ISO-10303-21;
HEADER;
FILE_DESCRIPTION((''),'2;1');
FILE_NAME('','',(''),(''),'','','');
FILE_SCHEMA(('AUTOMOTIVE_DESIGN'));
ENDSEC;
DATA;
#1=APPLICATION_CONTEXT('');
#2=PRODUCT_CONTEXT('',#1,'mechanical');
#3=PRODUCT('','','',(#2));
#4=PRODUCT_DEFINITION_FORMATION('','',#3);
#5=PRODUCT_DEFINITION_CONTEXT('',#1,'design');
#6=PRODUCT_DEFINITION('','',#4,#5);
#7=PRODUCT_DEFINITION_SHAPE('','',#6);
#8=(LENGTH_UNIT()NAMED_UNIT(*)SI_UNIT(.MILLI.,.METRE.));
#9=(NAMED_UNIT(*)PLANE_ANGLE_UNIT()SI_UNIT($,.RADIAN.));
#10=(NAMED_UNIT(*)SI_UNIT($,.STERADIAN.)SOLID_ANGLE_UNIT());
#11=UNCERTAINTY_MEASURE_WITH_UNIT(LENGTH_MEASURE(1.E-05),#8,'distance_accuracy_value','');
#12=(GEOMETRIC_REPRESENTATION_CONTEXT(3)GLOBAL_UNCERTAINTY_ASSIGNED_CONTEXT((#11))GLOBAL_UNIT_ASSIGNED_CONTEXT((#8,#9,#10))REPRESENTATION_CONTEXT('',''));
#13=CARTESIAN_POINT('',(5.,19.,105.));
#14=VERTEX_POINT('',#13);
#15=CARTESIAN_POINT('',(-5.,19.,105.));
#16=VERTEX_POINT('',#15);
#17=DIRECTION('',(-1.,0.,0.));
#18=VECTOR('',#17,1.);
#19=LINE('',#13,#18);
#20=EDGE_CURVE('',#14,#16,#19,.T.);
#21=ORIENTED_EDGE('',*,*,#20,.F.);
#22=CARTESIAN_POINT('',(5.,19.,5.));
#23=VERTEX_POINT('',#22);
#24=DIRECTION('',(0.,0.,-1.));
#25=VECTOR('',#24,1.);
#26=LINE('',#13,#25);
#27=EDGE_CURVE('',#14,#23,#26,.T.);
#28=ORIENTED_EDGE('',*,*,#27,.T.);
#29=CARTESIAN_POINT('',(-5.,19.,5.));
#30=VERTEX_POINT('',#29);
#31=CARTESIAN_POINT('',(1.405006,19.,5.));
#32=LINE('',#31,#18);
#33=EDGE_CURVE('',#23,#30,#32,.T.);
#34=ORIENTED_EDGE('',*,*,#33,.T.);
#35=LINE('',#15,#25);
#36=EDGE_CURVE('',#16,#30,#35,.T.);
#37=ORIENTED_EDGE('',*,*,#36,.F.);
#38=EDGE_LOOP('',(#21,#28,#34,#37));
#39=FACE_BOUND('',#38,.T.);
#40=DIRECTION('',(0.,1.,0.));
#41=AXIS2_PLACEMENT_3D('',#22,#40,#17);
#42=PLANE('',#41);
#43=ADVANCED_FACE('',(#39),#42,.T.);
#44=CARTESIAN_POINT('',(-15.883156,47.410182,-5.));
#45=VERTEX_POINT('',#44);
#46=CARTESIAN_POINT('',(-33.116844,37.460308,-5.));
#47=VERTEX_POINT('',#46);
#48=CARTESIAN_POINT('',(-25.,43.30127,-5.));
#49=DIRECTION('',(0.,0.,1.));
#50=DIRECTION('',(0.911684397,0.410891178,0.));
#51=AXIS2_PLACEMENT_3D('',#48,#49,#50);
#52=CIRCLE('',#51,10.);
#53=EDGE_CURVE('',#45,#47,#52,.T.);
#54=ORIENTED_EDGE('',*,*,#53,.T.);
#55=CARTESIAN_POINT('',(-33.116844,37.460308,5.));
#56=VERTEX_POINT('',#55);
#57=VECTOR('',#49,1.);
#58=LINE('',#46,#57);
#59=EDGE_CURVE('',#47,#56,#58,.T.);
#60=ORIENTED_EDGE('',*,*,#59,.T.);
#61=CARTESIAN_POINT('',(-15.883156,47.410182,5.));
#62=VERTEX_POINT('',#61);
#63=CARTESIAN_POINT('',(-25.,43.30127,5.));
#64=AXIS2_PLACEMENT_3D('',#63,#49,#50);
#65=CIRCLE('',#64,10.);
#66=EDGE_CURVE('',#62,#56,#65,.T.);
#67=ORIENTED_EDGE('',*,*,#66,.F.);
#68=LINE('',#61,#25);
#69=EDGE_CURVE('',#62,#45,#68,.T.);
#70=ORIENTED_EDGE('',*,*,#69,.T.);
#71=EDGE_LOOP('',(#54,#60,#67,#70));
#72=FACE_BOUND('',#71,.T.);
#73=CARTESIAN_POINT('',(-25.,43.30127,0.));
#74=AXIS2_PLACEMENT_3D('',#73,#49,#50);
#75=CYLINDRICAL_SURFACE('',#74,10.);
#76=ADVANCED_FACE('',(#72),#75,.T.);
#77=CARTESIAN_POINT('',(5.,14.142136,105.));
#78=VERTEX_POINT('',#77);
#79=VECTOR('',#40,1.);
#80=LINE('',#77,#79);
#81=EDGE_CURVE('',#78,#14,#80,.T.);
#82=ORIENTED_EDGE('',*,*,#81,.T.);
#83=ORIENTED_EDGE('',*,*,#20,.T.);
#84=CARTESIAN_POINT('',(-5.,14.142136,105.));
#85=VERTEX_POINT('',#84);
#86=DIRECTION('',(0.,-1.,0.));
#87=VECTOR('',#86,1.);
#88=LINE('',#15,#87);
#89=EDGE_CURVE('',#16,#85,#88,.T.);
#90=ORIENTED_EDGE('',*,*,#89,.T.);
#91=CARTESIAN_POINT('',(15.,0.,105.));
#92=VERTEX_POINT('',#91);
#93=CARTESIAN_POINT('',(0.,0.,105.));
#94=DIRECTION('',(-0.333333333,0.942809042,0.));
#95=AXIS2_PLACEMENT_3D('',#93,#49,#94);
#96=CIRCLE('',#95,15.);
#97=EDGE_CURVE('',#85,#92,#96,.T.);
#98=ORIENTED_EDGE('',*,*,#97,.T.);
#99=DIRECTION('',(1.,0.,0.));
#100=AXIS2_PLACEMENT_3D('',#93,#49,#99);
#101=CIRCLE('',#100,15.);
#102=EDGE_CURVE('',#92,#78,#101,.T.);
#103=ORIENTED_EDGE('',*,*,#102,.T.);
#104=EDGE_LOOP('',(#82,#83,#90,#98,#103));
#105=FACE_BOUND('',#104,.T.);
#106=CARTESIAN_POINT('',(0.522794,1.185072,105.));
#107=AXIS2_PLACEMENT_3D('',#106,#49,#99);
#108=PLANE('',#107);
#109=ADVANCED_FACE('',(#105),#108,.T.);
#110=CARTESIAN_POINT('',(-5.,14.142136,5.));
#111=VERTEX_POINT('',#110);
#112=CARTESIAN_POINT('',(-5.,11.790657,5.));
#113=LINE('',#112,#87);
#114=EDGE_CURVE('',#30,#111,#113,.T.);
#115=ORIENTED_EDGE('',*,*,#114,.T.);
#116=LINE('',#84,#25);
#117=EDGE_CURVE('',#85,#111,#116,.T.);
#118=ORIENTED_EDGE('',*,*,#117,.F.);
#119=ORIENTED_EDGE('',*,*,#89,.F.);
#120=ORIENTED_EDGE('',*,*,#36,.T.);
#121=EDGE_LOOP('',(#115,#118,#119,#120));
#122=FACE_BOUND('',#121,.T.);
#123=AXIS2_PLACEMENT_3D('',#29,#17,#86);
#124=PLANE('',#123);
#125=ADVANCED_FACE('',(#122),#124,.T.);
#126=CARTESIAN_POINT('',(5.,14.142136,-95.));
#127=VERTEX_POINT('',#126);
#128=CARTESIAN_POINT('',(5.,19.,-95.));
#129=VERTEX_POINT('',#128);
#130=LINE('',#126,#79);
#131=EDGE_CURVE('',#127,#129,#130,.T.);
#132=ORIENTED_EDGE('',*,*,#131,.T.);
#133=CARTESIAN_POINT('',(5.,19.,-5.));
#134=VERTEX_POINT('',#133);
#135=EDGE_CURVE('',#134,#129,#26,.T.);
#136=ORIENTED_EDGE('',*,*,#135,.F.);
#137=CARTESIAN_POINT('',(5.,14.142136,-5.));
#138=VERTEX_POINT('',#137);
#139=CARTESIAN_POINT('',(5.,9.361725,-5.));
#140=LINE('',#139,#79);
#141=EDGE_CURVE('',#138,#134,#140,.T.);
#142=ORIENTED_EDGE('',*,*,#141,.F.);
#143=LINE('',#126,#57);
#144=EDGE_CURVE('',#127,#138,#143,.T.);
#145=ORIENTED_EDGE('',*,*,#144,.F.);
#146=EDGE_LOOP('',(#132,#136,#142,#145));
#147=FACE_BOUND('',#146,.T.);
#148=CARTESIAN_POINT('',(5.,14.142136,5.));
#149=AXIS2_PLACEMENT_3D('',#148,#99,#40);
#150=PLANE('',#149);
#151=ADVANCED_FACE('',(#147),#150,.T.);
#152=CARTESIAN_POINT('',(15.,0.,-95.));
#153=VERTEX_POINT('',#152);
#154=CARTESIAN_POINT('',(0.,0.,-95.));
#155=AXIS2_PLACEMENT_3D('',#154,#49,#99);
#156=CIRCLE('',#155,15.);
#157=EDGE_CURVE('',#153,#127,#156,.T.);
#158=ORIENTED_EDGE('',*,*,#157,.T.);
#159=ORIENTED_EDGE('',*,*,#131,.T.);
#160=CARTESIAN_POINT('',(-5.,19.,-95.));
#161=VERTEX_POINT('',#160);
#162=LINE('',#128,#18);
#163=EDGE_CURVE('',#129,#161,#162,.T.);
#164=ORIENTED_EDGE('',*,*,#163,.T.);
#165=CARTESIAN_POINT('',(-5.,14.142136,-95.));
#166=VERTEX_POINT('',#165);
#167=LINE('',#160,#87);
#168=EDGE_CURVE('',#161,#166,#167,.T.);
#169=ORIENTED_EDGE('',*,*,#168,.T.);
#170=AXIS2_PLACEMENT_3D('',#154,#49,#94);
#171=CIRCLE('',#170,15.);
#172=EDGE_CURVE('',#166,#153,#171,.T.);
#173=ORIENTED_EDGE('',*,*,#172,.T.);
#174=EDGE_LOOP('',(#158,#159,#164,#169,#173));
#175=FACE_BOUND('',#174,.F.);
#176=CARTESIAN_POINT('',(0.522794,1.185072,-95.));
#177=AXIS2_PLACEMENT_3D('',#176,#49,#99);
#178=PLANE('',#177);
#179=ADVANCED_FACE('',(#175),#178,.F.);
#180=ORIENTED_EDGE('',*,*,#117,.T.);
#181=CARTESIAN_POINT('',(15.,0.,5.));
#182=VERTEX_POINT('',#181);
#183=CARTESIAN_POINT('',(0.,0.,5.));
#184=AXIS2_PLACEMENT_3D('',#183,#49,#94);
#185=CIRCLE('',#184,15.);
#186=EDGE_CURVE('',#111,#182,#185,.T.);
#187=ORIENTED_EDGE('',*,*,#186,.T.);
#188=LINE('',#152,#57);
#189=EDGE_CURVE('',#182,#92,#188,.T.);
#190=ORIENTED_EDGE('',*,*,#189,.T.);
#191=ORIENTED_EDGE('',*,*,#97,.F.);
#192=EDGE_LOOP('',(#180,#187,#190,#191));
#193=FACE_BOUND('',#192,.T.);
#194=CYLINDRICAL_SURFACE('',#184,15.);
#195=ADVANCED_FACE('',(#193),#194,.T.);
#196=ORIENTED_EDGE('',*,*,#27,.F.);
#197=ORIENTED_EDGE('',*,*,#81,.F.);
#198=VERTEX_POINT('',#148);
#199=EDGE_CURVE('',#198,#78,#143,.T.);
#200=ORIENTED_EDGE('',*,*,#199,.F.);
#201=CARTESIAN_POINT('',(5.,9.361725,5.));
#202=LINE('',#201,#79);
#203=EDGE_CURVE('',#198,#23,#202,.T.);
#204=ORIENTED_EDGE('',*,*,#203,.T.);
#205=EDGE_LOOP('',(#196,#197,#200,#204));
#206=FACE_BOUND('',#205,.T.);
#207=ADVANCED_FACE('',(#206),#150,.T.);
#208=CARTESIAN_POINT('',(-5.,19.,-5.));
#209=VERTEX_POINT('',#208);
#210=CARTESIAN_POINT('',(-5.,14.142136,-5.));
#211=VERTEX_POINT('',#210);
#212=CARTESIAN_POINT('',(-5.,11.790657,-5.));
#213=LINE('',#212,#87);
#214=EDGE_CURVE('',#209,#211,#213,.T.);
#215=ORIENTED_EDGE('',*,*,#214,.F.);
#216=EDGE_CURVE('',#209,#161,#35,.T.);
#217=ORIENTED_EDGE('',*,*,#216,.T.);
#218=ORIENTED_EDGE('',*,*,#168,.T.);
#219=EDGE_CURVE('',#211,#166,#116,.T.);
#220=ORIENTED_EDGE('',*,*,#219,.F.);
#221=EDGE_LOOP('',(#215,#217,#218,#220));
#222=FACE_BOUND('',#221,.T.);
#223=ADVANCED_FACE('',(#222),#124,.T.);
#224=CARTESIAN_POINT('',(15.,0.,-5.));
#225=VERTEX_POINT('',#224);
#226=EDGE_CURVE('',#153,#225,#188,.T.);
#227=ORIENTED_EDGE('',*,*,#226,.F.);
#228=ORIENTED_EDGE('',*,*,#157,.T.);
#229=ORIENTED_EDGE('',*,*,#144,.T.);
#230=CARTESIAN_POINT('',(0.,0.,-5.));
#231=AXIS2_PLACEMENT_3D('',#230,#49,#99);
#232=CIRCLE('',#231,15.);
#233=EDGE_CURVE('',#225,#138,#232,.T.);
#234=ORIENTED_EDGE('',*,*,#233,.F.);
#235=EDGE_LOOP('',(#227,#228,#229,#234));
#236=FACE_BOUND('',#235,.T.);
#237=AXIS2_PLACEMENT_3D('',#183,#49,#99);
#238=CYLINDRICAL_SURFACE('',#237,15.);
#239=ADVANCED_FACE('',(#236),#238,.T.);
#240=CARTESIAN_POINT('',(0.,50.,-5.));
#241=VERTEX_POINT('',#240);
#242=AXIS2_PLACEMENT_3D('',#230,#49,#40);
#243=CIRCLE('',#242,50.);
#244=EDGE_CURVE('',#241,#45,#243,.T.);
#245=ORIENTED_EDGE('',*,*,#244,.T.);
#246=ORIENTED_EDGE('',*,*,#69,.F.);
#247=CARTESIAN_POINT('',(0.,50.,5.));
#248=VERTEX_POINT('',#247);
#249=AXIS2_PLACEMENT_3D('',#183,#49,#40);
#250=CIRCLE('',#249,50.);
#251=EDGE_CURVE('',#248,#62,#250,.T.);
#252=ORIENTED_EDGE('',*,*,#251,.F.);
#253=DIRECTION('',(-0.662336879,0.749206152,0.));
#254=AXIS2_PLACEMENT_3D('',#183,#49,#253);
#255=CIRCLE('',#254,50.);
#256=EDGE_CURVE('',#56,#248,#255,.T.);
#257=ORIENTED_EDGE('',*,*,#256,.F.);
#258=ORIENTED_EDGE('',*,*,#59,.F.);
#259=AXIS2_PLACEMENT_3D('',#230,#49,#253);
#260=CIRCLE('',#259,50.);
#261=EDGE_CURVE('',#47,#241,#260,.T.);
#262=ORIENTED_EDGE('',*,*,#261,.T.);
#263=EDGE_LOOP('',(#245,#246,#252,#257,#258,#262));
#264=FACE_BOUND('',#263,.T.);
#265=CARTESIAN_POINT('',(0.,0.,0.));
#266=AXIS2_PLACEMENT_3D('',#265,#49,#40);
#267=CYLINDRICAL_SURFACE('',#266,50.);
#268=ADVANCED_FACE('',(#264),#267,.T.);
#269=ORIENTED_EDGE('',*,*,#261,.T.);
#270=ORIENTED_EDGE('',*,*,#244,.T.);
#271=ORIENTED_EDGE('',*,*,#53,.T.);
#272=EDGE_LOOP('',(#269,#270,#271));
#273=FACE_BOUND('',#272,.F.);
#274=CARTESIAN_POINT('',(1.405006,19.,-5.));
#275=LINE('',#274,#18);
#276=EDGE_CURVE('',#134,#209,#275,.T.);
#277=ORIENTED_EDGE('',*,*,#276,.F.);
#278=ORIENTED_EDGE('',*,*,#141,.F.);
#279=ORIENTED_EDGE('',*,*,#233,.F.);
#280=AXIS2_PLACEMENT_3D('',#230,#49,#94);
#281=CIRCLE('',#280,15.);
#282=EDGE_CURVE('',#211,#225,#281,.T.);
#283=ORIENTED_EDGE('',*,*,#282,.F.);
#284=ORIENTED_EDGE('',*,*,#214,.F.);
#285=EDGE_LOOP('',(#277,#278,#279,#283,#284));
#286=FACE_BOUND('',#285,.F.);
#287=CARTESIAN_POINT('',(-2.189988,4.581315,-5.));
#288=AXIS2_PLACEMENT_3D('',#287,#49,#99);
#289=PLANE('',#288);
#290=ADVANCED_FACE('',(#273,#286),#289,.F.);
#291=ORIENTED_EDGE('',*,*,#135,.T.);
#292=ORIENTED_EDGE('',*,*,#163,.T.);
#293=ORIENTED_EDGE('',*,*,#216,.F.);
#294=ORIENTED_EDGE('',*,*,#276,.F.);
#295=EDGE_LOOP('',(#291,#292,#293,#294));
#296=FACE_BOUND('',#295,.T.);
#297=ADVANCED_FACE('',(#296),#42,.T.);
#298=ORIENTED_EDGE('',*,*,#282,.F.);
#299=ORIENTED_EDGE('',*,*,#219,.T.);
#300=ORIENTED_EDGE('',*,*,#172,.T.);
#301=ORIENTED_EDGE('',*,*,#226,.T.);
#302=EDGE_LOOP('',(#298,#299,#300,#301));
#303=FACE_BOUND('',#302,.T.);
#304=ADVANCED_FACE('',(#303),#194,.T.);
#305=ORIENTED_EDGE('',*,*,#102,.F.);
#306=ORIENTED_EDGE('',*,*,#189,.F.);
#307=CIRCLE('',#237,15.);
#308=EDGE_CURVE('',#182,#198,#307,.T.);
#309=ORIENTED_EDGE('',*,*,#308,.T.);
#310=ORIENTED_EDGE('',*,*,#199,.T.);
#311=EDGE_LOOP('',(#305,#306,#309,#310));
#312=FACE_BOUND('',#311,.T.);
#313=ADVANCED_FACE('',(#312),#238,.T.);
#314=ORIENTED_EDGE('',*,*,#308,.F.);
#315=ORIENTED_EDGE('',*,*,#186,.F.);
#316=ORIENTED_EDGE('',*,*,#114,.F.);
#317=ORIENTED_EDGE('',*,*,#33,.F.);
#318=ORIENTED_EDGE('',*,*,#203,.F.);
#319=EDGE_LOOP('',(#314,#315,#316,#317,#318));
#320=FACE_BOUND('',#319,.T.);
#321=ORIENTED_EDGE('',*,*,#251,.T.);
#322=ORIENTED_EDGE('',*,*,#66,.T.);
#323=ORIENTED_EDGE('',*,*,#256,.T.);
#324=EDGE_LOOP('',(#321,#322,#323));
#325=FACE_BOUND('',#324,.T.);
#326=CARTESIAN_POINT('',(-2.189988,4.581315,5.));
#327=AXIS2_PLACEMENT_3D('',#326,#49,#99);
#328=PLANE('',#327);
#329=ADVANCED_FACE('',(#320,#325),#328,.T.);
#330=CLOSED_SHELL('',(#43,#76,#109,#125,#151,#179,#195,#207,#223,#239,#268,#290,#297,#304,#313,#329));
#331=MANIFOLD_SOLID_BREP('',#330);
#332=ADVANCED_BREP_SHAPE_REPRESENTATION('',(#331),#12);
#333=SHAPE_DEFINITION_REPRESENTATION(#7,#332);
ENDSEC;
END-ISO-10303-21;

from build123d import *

# Parameters (mm, degrees)
F1_DEPTH = 5
F3_DEPTH = 100


with BuildPart() as f1:
    # F0 (on Top) → F1 (new body, symmetric)
    with BuildSketch(Plane.XY):
        with BuildLine():
            ThreePointArc((-15.8831560302, 47.410181971), (-30, 51.9615242271), (-33.1168439698, 37.4603075999))
            ThreePointArc((-33.1168439698, 37.4603075999), (17.7057140495, -46.7601078912), (0, 50))
            ThreePointArc((0, 50), (-8.0464557866, 49.3482983422), (-15.8831560302, 47.410181971))
        make_face()
    extrude(amount=F1_DEPTH, both=True)

    # F2 (on face) → F3 (join, symmetric)
    with BuildSketch(Plane.XY.offset(5)):
        with BuildLine():
            ThreePointArc((-5, 14.1421356237), (-8.6602540378, -12.2474487139), (15, 0))
            ThreePointArc((15, 0), (12.2474487139, 8.6602540378), (5, 14.1421356237))
            Line((5, 14.1421356237), (5, 11))
            Line((5, 11), (-5, 11))
            Line((-5, 11), (-5, 14.1421356237))
        make_face()
        with BuildLine():
            Line((5, 11), (5, 14.1421356237))
            ThreePointArc((5, 14.1421356237), (0, 15), (-5, 14.1421356237))
            Line((-5, 14.1421356237), (-5, 11))
            Line((-5, 11), (5, 11))
        make_face()
        with BuildLine():
            ThreePointArc((-5, 14.1421356237), (0, 15), (5, 14.1421356237))
            Line((5, 14.1421356237), (5, 19))
            Line((5, 19), (-5, 19))
            Line((-5, 19), (-5, 14.1421356237))
        make_face()
    extrude(amount=F3_DEPTH, both=True)


solid = f1.part
